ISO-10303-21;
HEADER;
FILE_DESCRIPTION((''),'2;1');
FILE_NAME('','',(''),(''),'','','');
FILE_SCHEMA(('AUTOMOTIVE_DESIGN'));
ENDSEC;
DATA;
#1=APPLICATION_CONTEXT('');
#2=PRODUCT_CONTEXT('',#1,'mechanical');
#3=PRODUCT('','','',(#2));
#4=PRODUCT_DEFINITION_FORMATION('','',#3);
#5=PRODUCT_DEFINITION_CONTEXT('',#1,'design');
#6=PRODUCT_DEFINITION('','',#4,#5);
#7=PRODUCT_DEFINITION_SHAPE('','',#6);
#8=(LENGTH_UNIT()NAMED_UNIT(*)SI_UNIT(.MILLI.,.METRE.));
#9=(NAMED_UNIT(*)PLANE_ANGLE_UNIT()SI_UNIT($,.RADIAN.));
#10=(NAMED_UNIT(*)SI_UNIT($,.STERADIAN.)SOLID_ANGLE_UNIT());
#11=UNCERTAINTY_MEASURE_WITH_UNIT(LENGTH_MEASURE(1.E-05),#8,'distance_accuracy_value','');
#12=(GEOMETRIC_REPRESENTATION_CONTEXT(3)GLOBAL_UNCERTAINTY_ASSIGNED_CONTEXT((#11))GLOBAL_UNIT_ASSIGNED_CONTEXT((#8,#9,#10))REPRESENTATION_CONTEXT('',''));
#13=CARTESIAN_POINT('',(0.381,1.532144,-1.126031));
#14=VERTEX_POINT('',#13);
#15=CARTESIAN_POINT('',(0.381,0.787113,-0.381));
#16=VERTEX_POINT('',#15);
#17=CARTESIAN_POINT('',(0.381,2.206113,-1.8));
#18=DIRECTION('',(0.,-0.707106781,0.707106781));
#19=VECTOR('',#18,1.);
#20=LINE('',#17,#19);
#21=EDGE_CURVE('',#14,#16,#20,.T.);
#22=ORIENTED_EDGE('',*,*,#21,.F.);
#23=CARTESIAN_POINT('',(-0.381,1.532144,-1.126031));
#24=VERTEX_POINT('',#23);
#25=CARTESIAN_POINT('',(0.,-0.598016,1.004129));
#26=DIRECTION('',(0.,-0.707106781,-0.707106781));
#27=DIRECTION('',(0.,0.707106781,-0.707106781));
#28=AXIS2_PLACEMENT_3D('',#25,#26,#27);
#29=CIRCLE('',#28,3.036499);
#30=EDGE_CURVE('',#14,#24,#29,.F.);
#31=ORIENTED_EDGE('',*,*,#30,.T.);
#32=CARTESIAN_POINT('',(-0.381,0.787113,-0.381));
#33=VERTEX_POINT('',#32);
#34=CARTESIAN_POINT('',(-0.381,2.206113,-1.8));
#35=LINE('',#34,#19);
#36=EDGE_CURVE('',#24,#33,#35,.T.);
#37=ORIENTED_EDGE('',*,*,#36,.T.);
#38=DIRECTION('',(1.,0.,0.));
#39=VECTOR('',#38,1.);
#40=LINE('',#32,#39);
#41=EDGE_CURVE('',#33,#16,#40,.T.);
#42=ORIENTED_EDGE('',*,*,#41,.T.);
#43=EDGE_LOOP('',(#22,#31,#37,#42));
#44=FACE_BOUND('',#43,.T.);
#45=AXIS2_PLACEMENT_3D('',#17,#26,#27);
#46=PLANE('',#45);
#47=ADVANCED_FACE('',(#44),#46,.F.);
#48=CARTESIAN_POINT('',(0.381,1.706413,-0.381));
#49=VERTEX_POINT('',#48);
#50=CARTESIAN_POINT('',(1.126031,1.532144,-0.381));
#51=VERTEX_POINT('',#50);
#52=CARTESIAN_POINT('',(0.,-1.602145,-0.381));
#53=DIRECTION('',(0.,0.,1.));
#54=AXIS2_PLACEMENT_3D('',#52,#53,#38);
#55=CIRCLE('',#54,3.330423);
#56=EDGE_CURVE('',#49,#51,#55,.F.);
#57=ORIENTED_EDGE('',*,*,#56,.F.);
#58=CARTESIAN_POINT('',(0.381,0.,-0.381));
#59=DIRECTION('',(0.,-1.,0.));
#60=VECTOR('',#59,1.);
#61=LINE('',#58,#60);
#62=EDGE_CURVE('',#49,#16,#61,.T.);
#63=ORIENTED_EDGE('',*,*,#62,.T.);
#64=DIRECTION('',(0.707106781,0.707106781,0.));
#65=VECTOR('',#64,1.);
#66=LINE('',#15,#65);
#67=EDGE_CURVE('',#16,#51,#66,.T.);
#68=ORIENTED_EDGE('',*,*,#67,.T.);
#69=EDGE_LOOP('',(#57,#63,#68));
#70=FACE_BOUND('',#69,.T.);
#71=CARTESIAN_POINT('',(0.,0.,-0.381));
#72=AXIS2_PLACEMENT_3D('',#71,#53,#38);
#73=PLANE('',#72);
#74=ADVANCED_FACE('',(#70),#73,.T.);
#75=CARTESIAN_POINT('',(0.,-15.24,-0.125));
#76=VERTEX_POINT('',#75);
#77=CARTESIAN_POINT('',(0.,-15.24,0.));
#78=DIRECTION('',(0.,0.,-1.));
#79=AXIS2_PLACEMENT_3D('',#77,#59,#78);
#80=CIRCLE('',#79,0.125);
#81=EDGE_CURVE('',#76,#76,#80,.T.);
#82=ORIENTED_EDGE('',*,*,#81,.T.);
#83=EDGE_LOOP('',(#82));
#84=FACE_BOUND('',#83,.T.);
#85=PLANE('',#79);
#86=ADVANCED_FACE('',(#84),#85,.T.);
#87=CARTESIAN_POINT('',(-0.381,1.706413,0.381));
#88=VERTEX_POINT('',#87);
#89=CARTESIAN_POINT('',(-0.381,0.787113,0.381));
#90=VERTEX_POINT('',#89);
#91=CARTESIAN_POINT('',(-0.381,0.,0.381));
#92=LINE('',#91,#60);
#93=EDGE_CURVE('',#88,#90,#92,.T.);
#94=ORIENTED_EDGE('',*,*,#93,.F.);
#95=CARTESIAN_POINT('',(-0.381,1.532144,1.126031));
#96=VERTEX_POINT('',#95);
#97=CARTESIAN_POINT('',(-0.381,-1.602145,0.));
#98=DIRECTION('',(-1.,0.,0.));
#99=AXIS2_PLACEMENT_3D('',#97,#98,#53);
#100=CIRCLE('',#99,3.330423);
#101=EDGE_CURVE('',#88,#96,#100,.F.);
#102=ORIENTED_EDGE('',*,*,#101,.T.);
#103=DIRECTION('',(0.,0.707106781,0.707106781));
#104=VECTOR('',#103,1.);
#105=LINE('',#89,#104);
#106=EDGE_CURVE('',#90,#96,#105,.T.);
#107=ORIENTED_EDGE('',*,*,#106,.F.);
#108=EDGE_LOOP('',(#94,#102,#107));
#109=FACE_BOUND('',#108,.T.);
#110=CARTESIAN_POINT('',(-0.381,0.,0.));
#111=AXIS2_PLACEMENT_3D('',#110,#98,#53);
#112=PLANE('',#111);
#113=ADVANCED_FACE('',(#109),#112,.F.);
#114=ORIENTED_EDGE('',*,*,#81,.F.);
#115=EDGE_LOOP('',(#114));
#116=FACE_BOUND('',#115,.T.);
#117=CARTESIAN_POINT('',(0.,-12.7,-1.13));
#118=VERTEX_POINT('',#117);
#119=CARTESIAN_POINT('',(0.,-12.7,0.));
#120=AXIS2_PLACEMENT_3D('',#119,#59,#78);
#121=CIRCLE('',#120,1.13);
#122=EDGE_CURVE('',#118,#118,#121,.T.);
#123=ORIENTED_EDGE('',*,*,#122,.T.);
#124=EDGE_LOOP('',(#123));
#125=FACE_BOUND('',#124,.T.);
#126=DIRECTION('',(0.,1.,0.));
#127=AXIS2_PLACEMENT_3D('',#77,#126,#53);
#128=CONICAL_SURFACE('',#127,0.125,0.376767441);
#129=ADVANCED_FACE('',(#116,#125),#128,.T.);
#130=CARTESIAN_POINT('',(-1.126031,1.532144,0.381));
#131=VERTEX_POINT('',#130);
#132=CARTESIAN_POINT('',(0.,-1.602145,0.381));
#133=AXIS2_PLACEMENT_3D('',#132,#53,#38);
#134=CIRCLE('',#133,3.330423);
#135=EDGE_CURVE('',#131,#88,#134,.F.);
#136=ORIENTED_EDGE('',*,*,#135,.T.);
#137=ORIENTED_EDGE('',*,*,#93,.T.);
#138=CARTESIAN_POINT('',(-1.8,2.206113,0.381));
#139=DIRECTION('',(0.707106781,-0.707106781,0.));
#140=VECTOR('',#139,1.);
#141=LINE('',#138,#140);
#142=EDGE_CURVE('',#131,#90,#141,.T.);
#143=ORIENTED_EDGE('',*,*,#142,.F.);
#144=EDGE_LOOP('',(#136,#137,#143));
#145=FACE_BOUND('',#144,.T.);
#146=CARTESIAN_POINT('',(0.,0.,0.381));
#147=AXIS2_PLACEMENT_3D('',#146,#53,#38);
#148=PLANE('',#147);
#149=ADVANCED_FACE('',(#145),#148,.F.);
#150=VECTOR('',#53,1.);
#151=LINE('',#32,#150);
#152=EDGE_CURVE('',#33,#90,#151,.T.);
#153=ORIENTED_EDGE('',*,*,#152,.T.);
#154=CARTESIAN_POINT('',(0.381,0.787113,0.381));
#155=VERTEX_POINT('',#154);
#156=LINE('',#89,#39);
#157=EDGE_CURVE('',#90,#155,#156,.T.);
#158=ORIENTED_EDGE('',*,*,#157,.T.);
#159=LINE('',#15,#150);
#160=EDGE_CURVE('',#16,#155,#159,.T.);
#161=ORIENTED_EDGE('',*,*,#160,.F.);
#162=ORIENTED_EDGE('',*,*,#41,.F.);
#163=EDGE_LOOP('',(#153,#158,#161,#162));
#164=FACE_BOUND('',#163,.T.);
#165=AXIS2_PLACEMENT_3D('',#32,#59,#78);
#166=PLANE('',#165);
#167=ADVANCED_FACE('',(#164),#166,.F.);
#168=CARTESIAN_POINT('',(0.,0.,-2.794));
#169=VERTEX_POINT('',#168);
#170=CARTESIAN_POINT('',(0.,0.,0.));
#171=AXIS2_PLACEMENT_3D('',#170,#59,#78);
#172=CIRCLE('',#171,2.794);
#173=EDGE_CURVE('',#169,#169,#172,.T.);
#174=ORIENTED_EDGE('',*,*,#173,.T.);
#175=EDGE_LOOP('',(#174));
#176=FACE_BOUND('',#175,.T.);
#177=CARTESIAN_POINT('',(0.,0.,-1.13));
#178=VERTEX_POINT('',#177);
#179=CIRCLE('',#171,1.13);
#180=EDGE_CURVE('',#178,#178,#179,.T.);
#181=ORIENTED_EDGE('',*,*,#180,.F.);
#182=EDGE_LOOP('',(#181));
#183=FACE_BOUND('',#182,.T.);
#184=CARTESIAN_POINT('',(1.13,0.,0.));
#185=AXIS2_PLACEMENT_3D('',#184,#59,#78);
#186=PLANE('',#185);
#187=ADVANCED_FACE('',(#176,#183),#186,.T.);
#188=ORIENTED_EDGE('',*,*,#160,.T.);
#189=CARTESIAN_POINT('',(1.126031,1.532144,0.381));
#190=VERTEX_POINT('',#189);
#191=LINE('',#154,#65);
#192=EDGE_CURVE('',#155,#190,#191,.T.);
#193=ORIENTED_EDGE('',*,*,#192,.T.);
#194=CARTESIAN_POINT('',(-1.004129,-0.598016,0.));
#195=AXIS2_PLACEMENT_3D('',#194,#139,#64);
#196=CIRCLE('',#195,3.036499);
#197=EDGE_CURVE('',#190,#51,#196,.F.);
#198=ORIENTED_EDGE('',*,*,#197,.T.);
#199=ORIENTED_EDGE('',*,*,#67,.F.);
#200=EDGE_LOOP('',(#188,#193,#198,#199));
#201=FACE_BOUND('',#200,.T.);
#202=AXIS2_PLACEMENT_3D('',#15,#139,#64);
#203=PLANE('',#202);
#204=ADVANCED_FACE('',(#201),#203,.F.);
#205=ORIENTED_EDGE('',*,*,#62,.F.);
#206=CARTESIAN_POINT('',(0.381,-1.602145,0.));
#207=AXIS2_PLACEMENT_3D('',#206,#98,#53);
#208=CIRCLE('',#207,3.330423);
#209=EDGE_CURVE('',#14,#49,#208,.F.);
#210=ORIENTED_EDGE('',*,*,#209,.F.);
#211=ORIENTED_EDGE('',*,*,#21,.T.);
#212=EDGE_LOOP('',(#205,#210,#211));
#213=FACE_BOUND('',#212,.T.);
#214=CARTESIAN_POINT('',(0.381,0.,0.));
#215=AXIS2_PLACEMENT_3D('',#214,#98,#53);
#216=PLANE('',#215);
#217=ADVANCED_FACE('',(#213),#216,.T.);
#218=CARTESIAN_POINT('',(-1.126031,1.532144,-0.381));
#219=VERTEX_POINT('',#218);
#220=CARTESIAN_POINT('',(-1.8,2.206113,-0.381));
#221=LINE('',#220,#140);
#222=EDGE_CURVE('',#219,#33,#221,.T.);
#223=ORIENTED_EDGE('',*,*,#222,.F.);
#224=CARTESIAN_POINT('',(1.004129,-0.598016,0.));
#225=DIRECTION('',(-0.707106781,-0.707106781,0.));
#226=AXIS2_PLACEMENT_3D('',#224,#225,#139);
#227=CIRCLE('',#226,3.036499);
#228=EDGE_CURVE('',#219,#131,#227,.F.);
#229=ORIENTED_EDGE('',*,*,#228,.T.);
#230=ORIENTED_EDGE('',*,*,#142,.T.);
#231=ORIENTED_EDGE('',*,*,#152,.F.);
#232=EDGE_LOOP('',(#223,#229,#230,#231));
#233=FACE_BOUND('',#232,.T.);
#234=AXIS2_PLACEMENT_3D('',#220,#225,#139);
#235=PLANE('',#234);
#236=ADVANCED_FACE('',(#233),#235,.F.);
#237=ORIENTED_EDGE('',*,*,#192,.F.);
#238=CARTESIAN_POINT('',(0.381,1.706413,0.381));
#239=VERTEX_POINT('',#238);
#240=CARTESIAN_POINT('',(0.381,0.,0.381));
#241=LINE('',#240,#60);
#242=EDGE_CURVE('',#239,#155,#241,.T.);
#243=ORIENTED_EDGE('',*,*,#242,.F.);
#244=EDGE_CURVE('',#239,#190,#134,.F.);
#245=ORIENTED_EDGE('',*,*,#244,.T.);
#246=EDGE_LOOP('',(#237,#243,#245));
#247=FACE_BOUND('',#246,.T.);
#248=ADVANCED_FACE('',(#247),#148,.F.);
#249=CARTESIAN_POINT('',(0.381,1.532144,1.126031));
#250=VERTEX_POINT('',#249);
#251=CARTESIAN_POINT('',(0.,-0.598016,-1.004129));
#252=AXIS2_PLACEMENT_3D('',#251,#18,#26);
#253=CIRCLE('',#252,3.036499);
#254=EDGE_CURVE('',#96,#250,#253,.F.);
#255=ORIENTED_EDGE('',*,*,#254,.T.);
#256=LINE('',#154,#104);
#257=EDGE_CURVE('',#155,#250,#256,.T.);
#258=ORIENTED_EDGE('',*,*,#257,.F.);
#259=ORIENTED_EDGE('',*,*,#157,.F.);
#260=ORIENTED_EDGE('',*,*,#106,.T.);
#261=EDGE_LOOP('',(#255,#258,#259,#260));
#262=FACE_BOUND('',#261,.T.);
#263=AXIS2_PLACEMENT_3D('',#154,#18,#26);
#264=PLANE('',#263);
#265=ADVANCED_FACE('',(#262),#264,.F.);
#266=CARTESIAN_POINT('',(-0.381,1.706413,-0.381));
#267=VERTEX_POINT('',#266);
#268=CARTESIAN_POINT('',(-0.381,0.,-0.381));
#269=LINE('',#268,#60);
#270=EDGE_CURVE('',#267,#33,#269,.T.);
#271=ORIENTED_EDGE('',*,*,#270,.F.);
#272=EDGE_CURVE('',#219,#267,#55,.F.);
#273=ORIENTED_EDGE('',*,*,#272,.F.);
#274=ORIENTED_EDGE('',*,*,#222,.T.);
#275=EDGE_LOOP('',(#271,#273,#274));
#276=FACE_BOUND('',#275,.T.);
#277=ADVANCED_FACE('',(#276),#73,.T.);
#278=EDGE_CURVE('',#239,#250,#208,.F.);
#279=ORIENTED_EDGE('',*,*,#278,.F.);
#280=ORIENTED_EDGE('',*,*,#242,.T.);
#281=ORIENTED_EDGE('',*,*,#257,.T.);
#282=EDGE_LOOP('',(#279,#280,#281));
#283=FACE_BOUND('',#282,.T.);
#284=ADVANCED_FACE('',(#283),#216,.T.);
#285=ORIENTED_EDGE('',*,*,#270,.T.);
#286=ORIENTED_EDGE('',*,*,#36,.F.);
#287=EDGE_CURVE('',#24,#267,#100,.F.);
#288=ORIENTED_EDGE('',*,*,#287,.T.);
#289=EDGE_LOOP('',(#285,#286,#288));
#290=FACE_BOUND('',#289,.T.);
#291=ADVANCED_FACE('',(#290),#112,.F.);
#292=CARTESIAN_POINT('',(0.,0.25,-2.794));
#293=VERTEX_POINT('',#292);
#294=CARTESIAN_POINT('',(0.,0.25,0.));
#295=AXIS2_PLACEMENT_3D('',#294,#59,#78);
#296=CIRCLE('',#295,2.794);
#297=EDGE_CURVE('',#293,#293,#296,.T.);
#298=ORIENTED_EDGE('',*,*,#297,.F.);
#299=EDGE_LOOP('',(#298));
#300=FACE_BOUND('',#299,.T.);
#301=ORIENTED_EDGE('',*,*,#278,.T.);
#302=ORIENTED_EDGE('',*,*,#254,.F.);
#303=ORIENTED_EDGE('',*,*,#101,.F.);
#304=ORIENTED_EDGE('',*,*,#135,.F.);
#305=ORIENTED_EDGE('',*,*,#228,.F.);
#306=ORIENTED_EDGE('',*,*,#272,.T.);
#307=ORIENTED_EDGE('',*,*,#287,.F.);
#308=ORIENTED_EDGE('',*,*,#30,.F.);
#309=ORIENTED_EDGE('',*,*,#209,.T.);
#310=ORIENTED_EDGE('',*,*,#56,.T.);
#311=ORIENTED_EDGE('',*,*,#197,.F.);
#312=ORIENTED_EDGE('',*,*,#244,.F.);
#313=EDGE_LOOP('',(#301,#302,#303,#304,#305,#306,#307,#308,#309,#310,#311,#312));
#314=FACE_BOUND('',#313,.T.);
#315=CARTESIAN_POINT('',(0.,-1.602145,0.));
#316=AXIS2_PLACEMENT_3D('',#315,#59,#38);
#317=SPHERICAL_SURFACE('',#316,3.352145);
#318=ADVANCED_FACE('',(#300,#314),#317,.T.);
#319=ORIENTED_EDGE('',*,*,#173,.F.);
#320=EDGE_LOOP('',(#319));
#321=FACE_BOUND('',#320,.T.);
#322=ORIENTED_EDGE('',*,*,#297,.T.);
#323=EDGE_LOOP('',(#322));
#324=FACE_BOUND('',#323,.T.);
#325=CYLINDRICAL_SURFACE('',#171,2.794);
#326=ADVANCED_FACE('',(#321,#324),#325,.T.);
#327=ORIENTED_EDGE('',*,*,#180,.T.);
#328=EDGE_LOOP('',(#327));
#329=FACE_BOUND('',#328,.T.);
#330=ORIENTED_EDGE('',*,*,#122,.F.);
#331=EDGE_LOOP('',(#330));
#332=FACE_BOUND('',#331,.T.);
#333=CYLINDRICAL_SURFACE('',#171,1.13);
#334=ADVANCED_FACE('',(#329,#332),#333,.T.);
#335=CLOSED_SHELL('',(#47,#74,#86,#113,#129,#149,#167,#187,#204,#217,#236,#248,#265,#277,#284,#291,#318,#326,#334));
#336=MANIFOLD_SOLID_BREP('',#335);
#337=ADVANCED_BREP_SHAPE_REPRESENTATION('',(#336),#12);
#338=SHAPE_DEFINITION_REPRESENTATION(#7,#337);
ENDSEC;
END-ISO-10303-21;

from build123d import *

# Parameters (mm, degrees)
CUT_EXTRUDE1_DEPTH = 0.381
CIRPATTERN1_COUNT  = 2
CIRPATTERN1_ANGLE  = 90


with BuildPart() as part:
    # Sketch1 → Revolve1 (revolve)
    with BuildSketch(Plane.XY):
        with BuildLine():
            Line((2.794, 0.25), (2.794, 0))
            Line((2.794, 0), (1.13, 0))
            Line((1.13, 0), (1.13, -12.7))
            Line((1.13, -12.7), (0.125, -15.24))
            Line((0.125, -15.24), (0, -15.24))
            Line((0, -15.24), (0, 1.75))
            ThreePointArc((0, 1.75), (1.58559421, 1.351288149), (2.794, 0.25))
        make_face()
    revolve(axis=Axis((0, 0, 0), (0, 1, 0)))

    # Sketch2 → Cut-Extrude1 (cut, symmetric)
    with BuildSketch(Plane.XY):
        Polygon((-1.8, 2.20611304), (-0.381, 0.78711304), (0.381, 0.78711304), (1.8, 2.20611304), align=None)
    cut_extrude1 = extrude(amount=CUT_EXTRUDE1_DEPTH, both=True, mode=Mode.SUBTRACT)

    # CirPattern1: Cut-Extrude1 ×2 about axis
    cirpattern1_axis = Axis((0, 50, 0), (0, -1, 0))
    for i in range(1, CIRPATTERN1_COUNT):
        add(cut_extrude1.rotate(cirpattern1_axis, i * CIRPATTERN1_ANGLE / (CIRPATTERN1_COUNT - 1)), mode=Mode.SUBTRACT)


solid = part.part
